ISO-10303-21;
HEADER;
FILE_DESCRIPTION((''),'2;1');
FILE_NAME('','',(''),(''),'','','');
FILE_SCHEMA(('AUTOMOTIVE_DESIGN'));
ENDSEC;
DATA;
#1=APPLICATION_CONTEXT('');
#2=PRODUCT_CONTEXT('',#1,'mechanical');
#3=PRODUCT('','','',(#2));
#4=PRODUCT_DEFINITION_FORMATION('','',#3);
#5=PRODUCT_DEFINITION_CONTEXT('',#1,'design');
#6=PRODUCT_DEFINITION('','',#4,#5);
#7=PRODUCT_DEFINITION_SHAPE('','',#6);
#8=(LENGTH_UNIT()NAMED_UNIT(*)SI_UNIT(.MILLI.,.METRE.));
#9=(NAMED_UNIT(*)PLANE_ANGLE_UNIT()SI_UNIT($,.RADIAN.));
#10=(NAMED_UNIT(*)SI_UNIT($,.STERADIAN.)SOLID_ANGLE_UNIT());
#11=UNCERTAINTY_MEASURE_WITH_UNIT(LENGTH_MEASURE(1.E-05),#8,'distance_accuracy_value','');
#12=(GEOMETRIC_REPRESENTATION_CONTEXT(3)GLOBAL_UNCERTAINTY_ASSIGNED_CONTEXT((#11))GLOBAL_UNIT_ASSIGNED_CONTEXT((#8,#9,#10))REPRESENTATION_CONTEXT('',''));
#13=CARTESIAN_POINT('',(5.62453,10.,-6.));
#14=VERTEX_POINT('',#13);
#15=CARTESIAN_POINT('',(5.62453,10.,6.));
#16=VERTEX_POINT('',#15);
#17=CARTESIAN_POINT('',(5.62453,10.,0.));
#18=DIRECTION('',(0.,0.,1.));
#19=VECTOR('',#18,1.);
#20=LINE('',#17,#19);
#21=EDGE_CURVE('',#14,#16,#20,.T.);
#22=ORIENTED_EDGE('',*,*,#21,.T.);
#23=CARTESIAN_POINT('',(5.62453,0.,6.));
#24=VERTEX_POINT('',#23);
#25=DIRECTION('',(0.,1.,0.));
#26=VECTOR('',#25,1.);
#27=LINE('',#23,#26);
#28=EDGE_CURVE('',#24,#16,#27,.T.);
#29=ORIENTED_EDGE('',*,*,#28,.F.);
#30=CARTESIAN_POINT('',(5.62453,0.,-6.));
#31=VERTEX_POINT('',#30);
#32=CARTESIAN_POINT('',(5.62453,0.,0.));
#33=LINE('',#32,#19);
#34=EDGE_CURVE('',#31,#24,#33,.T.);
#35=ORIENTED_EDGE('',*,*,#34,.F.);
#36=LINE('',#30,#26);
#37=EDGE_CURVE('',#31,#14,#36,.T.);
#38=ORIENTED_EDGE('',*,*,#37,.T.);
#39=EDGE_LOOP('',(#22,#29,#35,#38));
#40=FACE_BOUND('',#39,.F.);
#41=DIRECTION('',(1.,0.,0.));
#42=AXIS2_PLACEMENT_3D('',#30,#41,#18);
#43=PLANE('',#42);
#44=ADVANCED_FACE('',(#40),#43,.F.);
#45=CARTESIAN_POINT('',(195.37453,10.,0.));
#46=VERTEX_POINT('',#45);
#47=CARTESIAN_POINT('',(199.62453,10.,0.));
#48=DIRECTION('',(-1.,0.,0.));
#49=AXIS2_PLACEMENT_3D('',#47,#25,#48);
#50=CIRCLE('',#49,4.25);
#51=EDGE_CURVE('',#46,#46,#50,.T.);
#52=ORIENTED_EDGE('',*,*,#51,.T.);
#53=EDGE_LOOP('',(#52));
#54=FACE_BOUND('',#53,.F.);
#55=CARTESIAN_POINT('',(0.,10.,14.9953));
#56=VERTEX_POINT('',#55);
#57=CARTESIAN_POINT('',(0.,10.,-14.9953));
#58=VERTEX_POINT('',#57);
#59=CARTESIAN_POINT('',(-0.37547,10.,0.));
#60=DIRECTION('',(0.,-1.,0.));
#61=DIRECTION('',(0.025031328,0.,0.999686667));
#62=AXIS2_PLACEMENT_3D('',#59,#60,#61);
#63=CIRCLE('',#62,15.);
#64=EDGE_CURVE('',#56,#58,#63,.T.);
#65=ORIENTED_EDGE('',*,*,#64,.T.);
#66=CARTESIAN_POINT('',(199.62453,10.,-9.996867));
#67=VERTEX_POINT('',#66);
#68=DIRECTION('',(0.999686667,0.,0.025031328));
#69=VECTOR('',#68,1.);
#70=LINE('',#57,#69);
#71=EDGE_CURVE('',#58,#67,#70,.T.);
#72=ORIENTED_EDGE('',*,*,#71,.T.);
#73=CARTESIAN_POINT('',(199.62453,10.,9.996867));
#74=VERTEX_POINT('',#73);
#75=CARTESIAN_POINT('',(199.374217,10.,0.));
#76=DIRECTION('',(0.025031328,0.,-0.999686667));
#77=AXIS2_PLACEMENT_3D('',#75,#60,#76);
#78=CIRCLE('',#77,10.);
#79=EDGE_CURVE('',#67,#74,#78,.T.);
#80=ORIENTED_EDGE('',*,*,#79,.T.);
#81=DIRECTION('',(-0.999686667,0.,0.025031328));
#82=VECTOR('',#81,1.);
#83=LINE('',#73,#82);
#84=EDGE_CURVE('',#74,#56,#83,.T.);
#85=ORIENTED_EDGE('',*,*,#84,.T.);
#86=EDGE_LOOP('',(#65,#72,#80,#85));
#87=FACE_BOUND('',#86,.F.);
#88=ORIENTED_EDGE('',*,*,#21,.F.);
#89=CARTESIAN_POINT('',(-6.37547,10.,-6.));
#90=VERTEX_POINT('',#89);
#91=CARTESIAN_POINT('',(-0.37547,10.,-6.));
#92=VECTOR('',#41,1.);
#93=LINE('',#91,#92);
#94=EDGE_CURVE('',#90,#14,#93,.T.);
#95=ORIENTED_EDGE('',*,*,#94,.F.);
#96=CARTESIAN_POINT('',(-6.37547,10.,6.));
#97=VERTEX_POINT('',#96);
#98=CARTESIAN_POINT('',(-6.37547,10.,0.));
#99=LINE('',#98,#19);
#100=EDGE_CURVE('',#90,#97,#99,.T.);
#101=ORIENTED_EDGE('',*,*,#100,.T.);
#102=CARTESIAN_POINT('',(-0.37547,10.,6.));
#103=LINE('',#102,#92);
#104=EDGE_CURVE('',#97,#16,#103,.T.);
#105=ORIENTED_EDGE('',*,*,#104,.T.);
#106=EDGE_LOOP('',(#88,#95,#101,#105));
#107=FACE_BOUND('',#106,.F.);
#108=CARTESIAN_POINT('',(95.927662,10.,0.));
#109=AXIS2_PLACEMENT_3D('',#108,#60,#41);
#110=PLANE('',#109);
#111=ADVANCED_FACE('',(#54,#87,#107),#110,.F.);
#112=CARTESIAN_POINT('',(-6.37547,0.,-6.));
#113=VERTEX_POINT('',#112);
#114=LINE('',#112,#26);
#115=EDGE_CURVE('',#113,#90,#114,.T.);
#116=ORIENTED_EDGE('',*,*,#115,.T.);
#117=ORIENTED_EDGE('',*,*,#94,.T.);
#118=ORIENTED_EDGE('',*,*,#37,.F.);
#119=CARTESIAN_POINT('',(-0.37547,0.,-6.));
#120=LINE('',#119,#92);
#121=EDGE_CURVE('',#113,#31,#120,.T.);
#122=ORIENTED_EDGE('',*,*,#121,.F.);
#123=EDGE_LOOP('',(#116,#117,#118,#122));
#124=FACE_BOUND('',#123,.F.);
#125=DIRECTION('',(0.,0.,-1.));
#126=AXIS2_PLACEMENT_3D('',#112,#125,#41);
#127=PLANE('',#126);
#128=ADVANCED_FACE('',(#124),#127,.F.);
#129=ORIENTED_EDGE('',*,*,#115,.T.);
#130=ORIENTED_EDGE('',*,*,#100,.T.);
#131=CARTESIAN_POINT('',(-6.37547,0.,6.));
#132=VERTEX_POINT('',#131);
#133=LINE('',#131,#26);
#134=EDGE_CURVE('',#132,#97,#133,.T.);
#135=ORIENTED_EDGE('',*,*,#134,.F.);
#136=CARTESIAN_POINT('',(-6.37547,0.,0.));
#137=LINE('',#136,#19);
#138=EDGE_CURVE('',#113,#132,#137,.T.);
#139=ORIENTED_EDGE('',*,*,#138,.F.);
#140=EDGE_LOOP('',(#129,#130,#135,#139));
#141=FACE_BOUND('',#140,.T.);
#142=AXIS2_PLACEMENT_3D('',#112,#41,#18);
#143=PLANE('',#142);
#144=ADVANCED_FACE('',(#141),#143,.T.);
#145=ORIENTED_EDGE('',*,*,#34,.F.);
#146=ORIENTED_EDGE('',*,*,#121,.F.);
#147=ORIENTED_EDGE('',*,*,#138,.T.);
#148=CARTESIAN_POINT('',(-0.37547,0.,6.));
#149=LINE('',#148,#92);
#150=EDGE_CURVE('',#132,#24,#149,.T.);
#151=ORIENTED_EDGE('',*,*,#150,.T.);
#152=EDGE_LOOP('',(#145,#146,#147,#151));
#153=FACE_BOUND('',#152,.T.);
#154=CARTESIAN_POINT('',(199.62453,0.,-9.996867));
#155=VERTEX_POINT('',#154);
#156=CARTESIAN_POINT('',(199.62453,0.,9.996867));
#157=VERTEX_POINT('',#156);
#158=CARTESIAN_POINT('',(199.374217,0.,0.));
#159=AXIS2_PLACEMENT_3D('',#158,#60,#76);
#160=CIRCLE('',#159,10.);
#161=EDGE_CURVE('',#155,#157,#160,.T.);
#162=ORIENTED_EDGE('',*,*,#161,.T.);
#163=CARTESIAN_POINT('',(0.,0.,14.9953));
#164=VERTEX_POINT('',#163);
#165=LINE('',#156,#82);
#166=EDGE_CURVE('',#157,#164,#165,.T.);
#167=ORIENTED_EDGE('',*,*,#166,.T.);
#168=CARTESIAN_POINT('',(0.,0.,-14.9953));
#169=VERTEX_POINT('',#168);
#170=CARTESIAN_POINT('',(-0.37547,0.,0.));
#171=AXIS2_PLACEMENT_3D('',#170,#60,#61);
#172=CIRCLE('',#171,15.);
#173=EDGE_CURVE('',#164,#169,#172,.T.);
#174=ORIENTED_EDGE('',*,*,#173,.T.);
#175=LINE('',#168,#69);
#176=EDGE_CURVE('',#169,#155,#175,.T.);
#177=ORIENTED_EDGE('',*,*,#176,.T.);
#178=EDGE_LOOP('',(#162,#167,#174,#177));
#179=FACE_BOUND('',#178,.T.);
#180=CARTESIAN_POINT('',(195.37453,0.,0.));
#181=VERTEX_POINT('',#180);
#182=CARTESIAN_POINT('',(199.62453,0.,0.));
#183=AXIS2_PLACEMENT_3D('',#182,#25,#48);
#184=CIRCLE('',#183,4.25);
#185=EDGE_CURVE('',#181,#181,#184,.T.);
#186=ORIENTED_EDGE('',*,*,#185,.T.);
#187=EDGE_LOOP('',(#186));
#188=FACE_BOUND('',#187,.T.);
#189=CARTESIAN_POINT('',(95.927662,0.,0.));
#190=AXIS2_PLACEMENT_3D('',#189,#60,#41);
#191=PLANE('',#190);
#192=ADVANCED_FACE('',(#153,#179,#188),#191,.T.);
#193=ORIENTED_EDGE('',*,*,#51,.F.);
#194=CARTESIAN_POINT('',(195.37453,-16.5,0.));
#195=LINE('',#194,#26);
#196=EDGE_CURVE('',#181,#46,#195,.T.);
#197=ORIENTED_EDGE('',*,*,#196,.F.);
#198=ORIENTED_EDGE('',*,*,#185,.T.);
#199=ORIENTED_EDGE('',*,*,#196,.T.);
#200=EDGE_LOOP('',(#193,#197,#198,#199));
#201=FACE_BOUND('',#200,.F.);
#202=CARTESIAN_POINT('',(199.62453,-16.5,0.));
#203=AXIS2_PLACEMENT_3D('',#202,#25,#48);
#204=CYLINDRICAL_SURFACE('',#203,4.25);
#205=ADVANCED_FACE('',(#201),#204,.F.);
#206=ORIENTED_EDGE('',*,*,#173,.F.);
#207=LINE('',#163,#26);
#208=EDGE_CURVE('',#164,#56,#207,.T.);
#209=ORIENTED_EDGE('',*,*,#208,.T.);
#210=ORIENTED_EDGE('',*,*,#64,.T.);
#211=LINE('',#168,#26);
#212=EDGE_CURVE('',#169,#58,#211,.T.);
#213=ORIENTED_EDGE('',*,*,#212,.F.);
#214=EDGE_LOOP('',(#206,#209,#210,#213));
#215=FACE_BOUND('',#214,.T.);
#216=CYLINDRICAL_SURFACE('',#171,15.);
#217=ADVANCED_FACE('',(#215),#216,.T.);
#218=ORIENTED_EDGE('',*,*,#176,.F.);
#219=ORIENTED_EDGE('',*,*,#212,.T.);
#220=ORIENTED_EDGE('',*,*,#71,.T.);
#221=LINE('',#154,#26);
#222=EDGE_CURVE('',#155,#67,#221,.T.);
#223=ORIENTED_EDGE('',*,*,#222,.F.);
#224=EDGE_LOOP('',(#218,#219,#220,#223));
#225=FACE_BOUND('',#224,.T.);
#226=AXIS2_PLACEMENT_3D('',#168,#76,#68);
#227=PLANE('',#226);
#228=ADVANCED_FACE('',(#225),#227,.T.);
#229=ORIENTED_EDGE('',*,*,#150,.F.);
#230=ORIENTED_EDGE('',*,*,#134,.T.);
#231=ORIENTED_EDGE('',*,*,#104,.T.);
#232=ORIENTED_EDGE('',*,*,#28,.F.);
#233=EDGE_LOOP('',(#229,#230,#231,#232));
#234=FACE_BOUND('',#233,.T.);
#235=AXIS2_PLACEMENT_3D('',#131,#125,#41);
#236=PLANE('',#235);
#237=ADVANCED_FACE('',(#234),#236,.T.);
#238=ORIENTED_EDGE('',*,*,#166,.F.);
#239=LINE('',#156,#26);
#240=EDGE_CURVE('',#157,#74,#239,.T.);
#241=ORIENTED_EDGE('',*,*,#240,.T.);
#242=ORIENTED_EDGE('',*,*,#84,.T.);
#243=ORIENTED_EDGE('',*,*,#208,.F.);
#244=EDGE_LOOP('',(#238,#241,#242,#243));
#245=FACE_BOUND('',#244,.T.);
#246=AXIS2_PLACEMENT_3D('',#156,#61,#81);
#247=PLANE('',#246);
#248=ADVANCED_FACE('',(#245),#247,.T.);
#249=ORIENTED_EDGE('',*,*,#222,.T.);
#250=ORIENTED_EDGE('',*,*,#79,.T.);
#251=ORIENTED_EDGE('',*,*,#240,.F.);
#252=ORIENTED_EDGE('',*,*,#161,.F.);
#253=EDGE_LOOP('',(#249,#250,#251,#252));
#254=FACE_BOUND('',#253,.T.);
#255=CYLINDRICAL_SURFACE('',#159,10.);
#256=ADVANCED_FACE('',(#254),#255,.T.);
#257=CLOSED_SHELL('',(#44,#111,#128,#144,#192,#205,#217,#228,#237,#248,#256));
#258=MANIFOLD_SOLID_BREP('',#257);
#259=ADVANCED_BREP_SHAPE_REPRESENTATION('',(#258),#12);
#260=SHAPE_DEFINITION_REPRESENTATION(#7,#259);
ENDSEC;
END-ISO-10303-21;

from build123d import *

# Parameters (mm, degrees)
F0_W     = 12
F0_H     = 12
F1_DEPTH = 10
F2_D     = 8.5
F2_DEPTH = 16.5
F2_TIP   = 2.5536576309


with BuildPart() as f1:
    # F0 (on Front) → F1 (new body)
    with BuildSketch(Plane.XZ):
        with BuildLine():
            Line((199.6245300745, 9.9968666721), (0, 14.9953000082))
            ThreePointArc((0, 14.9953000082), (-15.3754699255, 0), (0, -14.9953000082))
            Line((0, -14.9953000082), (199.6245300745, -9.9968666721))
            ThreePointArc((199.6245300745, -9.9968666721), (209.3742167908, 0), (199.6245300745, 9.9968666721))
        make_face()
        with Locations((-0.3754699255, 0)):
            Rectangle(F0_W, F0_H, mode=Mode.SUBTRACT)
    extrude(amount=-F1_DEPTH)

    # F2
    with Locations(Plane.XZ):
        with Locations((199.6245300745, 0)):
            Hole(F2_D / 2, depth=F2_DEPTH)
            with Locations((0, 0, -(F2_DEPTH + F2_TIP / 2))):  # 118° drill point
                Cone(0, F2_D / 2, F2_TIP, mode=Mode.SUBTRACT)


solid = f1.part
